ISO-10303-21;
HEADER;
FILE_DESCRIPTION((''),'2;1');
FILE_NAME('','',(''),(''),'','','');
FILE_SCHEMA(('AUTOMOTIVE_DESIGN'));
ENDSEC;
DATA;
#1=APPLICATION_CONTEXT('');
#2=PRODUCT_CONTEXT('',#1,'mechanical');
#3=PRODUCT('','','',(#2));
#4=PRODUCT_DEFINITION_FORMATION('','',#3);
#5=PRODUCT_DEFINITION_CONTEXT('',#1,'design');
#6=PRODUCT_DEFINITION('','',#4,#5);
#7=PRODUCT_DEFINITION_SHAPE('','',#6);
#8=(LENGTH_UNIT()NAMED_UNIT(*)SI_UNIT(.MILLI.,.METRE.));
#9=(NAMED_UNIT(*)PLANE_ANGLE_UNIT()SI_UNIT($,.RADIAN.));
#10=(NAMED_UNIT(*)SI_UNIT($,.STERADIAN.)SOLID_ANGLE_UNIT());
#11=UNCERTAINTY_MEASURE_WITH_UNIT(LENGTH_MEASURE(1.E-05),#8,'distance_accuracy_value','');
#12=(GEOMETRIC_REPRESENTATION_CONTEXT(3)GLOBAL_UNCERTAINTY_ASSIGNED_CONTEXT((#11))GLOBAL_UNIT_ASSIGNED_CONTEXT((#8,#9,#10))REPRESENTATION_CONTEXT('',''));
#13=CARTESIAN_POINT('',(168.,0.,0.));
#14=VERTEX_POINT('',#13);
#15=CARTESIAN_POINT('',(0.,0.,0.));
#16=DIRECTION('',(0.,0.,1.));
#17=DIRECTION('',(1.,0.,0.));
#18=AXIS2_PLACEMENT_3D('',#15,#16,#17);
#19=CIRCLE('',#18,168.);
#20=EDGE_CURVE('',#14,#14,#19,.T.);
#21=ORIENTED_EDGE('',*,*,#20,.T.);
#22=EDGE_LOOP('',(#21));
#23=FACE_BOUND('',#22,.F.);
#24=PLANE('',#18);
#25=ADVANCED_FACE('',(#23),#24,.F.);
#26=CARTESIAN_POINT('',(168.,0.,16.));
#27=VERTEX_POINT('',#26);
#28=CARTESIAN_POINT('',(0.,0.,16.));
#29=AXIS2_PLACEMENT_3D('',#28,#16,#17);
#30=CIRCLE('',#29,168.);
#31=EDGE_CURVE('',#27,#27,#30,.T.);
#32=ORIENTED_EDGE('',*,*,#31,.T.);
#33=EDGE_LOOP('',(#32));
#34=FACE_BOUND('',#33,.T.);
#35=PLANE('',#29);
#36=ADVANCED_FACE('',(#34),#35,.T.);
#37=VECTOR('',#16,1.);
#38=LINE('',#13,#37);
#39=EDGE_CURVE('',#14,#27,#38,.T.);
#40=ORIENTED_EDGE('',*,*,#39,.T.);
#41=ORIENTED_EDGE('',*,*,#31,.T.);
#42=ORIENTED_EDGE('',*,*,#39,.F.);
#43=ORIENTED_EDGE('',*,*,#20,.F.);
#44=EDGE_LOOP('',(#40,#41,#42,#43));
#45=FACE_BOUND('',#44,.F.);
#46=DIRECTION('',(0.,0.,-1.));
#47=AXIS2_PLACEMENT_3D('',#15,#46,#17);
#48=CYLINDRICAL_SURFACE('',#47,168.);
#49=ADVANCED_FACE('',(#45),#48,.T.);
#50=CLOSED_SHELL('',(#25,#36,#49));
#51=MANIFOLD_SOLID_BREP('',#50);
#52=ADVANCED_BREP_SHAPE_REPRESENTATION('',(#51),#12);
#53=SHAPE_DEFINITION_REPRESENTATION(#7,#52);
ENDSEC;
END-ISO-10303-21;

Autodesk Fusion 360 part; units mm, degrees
sketch "Sketch1" plane through (0, 0, 0) normal (0, 0, 1) x (1, 0, 0)
  circle A0 centre (0, 0) radius 168
  dimension "d1" = 336
extrude "Extrude1" add sketch "Sketch1" along normal blind 16
equation "d1 = ( 168 * 2 ) * 1 mm"
